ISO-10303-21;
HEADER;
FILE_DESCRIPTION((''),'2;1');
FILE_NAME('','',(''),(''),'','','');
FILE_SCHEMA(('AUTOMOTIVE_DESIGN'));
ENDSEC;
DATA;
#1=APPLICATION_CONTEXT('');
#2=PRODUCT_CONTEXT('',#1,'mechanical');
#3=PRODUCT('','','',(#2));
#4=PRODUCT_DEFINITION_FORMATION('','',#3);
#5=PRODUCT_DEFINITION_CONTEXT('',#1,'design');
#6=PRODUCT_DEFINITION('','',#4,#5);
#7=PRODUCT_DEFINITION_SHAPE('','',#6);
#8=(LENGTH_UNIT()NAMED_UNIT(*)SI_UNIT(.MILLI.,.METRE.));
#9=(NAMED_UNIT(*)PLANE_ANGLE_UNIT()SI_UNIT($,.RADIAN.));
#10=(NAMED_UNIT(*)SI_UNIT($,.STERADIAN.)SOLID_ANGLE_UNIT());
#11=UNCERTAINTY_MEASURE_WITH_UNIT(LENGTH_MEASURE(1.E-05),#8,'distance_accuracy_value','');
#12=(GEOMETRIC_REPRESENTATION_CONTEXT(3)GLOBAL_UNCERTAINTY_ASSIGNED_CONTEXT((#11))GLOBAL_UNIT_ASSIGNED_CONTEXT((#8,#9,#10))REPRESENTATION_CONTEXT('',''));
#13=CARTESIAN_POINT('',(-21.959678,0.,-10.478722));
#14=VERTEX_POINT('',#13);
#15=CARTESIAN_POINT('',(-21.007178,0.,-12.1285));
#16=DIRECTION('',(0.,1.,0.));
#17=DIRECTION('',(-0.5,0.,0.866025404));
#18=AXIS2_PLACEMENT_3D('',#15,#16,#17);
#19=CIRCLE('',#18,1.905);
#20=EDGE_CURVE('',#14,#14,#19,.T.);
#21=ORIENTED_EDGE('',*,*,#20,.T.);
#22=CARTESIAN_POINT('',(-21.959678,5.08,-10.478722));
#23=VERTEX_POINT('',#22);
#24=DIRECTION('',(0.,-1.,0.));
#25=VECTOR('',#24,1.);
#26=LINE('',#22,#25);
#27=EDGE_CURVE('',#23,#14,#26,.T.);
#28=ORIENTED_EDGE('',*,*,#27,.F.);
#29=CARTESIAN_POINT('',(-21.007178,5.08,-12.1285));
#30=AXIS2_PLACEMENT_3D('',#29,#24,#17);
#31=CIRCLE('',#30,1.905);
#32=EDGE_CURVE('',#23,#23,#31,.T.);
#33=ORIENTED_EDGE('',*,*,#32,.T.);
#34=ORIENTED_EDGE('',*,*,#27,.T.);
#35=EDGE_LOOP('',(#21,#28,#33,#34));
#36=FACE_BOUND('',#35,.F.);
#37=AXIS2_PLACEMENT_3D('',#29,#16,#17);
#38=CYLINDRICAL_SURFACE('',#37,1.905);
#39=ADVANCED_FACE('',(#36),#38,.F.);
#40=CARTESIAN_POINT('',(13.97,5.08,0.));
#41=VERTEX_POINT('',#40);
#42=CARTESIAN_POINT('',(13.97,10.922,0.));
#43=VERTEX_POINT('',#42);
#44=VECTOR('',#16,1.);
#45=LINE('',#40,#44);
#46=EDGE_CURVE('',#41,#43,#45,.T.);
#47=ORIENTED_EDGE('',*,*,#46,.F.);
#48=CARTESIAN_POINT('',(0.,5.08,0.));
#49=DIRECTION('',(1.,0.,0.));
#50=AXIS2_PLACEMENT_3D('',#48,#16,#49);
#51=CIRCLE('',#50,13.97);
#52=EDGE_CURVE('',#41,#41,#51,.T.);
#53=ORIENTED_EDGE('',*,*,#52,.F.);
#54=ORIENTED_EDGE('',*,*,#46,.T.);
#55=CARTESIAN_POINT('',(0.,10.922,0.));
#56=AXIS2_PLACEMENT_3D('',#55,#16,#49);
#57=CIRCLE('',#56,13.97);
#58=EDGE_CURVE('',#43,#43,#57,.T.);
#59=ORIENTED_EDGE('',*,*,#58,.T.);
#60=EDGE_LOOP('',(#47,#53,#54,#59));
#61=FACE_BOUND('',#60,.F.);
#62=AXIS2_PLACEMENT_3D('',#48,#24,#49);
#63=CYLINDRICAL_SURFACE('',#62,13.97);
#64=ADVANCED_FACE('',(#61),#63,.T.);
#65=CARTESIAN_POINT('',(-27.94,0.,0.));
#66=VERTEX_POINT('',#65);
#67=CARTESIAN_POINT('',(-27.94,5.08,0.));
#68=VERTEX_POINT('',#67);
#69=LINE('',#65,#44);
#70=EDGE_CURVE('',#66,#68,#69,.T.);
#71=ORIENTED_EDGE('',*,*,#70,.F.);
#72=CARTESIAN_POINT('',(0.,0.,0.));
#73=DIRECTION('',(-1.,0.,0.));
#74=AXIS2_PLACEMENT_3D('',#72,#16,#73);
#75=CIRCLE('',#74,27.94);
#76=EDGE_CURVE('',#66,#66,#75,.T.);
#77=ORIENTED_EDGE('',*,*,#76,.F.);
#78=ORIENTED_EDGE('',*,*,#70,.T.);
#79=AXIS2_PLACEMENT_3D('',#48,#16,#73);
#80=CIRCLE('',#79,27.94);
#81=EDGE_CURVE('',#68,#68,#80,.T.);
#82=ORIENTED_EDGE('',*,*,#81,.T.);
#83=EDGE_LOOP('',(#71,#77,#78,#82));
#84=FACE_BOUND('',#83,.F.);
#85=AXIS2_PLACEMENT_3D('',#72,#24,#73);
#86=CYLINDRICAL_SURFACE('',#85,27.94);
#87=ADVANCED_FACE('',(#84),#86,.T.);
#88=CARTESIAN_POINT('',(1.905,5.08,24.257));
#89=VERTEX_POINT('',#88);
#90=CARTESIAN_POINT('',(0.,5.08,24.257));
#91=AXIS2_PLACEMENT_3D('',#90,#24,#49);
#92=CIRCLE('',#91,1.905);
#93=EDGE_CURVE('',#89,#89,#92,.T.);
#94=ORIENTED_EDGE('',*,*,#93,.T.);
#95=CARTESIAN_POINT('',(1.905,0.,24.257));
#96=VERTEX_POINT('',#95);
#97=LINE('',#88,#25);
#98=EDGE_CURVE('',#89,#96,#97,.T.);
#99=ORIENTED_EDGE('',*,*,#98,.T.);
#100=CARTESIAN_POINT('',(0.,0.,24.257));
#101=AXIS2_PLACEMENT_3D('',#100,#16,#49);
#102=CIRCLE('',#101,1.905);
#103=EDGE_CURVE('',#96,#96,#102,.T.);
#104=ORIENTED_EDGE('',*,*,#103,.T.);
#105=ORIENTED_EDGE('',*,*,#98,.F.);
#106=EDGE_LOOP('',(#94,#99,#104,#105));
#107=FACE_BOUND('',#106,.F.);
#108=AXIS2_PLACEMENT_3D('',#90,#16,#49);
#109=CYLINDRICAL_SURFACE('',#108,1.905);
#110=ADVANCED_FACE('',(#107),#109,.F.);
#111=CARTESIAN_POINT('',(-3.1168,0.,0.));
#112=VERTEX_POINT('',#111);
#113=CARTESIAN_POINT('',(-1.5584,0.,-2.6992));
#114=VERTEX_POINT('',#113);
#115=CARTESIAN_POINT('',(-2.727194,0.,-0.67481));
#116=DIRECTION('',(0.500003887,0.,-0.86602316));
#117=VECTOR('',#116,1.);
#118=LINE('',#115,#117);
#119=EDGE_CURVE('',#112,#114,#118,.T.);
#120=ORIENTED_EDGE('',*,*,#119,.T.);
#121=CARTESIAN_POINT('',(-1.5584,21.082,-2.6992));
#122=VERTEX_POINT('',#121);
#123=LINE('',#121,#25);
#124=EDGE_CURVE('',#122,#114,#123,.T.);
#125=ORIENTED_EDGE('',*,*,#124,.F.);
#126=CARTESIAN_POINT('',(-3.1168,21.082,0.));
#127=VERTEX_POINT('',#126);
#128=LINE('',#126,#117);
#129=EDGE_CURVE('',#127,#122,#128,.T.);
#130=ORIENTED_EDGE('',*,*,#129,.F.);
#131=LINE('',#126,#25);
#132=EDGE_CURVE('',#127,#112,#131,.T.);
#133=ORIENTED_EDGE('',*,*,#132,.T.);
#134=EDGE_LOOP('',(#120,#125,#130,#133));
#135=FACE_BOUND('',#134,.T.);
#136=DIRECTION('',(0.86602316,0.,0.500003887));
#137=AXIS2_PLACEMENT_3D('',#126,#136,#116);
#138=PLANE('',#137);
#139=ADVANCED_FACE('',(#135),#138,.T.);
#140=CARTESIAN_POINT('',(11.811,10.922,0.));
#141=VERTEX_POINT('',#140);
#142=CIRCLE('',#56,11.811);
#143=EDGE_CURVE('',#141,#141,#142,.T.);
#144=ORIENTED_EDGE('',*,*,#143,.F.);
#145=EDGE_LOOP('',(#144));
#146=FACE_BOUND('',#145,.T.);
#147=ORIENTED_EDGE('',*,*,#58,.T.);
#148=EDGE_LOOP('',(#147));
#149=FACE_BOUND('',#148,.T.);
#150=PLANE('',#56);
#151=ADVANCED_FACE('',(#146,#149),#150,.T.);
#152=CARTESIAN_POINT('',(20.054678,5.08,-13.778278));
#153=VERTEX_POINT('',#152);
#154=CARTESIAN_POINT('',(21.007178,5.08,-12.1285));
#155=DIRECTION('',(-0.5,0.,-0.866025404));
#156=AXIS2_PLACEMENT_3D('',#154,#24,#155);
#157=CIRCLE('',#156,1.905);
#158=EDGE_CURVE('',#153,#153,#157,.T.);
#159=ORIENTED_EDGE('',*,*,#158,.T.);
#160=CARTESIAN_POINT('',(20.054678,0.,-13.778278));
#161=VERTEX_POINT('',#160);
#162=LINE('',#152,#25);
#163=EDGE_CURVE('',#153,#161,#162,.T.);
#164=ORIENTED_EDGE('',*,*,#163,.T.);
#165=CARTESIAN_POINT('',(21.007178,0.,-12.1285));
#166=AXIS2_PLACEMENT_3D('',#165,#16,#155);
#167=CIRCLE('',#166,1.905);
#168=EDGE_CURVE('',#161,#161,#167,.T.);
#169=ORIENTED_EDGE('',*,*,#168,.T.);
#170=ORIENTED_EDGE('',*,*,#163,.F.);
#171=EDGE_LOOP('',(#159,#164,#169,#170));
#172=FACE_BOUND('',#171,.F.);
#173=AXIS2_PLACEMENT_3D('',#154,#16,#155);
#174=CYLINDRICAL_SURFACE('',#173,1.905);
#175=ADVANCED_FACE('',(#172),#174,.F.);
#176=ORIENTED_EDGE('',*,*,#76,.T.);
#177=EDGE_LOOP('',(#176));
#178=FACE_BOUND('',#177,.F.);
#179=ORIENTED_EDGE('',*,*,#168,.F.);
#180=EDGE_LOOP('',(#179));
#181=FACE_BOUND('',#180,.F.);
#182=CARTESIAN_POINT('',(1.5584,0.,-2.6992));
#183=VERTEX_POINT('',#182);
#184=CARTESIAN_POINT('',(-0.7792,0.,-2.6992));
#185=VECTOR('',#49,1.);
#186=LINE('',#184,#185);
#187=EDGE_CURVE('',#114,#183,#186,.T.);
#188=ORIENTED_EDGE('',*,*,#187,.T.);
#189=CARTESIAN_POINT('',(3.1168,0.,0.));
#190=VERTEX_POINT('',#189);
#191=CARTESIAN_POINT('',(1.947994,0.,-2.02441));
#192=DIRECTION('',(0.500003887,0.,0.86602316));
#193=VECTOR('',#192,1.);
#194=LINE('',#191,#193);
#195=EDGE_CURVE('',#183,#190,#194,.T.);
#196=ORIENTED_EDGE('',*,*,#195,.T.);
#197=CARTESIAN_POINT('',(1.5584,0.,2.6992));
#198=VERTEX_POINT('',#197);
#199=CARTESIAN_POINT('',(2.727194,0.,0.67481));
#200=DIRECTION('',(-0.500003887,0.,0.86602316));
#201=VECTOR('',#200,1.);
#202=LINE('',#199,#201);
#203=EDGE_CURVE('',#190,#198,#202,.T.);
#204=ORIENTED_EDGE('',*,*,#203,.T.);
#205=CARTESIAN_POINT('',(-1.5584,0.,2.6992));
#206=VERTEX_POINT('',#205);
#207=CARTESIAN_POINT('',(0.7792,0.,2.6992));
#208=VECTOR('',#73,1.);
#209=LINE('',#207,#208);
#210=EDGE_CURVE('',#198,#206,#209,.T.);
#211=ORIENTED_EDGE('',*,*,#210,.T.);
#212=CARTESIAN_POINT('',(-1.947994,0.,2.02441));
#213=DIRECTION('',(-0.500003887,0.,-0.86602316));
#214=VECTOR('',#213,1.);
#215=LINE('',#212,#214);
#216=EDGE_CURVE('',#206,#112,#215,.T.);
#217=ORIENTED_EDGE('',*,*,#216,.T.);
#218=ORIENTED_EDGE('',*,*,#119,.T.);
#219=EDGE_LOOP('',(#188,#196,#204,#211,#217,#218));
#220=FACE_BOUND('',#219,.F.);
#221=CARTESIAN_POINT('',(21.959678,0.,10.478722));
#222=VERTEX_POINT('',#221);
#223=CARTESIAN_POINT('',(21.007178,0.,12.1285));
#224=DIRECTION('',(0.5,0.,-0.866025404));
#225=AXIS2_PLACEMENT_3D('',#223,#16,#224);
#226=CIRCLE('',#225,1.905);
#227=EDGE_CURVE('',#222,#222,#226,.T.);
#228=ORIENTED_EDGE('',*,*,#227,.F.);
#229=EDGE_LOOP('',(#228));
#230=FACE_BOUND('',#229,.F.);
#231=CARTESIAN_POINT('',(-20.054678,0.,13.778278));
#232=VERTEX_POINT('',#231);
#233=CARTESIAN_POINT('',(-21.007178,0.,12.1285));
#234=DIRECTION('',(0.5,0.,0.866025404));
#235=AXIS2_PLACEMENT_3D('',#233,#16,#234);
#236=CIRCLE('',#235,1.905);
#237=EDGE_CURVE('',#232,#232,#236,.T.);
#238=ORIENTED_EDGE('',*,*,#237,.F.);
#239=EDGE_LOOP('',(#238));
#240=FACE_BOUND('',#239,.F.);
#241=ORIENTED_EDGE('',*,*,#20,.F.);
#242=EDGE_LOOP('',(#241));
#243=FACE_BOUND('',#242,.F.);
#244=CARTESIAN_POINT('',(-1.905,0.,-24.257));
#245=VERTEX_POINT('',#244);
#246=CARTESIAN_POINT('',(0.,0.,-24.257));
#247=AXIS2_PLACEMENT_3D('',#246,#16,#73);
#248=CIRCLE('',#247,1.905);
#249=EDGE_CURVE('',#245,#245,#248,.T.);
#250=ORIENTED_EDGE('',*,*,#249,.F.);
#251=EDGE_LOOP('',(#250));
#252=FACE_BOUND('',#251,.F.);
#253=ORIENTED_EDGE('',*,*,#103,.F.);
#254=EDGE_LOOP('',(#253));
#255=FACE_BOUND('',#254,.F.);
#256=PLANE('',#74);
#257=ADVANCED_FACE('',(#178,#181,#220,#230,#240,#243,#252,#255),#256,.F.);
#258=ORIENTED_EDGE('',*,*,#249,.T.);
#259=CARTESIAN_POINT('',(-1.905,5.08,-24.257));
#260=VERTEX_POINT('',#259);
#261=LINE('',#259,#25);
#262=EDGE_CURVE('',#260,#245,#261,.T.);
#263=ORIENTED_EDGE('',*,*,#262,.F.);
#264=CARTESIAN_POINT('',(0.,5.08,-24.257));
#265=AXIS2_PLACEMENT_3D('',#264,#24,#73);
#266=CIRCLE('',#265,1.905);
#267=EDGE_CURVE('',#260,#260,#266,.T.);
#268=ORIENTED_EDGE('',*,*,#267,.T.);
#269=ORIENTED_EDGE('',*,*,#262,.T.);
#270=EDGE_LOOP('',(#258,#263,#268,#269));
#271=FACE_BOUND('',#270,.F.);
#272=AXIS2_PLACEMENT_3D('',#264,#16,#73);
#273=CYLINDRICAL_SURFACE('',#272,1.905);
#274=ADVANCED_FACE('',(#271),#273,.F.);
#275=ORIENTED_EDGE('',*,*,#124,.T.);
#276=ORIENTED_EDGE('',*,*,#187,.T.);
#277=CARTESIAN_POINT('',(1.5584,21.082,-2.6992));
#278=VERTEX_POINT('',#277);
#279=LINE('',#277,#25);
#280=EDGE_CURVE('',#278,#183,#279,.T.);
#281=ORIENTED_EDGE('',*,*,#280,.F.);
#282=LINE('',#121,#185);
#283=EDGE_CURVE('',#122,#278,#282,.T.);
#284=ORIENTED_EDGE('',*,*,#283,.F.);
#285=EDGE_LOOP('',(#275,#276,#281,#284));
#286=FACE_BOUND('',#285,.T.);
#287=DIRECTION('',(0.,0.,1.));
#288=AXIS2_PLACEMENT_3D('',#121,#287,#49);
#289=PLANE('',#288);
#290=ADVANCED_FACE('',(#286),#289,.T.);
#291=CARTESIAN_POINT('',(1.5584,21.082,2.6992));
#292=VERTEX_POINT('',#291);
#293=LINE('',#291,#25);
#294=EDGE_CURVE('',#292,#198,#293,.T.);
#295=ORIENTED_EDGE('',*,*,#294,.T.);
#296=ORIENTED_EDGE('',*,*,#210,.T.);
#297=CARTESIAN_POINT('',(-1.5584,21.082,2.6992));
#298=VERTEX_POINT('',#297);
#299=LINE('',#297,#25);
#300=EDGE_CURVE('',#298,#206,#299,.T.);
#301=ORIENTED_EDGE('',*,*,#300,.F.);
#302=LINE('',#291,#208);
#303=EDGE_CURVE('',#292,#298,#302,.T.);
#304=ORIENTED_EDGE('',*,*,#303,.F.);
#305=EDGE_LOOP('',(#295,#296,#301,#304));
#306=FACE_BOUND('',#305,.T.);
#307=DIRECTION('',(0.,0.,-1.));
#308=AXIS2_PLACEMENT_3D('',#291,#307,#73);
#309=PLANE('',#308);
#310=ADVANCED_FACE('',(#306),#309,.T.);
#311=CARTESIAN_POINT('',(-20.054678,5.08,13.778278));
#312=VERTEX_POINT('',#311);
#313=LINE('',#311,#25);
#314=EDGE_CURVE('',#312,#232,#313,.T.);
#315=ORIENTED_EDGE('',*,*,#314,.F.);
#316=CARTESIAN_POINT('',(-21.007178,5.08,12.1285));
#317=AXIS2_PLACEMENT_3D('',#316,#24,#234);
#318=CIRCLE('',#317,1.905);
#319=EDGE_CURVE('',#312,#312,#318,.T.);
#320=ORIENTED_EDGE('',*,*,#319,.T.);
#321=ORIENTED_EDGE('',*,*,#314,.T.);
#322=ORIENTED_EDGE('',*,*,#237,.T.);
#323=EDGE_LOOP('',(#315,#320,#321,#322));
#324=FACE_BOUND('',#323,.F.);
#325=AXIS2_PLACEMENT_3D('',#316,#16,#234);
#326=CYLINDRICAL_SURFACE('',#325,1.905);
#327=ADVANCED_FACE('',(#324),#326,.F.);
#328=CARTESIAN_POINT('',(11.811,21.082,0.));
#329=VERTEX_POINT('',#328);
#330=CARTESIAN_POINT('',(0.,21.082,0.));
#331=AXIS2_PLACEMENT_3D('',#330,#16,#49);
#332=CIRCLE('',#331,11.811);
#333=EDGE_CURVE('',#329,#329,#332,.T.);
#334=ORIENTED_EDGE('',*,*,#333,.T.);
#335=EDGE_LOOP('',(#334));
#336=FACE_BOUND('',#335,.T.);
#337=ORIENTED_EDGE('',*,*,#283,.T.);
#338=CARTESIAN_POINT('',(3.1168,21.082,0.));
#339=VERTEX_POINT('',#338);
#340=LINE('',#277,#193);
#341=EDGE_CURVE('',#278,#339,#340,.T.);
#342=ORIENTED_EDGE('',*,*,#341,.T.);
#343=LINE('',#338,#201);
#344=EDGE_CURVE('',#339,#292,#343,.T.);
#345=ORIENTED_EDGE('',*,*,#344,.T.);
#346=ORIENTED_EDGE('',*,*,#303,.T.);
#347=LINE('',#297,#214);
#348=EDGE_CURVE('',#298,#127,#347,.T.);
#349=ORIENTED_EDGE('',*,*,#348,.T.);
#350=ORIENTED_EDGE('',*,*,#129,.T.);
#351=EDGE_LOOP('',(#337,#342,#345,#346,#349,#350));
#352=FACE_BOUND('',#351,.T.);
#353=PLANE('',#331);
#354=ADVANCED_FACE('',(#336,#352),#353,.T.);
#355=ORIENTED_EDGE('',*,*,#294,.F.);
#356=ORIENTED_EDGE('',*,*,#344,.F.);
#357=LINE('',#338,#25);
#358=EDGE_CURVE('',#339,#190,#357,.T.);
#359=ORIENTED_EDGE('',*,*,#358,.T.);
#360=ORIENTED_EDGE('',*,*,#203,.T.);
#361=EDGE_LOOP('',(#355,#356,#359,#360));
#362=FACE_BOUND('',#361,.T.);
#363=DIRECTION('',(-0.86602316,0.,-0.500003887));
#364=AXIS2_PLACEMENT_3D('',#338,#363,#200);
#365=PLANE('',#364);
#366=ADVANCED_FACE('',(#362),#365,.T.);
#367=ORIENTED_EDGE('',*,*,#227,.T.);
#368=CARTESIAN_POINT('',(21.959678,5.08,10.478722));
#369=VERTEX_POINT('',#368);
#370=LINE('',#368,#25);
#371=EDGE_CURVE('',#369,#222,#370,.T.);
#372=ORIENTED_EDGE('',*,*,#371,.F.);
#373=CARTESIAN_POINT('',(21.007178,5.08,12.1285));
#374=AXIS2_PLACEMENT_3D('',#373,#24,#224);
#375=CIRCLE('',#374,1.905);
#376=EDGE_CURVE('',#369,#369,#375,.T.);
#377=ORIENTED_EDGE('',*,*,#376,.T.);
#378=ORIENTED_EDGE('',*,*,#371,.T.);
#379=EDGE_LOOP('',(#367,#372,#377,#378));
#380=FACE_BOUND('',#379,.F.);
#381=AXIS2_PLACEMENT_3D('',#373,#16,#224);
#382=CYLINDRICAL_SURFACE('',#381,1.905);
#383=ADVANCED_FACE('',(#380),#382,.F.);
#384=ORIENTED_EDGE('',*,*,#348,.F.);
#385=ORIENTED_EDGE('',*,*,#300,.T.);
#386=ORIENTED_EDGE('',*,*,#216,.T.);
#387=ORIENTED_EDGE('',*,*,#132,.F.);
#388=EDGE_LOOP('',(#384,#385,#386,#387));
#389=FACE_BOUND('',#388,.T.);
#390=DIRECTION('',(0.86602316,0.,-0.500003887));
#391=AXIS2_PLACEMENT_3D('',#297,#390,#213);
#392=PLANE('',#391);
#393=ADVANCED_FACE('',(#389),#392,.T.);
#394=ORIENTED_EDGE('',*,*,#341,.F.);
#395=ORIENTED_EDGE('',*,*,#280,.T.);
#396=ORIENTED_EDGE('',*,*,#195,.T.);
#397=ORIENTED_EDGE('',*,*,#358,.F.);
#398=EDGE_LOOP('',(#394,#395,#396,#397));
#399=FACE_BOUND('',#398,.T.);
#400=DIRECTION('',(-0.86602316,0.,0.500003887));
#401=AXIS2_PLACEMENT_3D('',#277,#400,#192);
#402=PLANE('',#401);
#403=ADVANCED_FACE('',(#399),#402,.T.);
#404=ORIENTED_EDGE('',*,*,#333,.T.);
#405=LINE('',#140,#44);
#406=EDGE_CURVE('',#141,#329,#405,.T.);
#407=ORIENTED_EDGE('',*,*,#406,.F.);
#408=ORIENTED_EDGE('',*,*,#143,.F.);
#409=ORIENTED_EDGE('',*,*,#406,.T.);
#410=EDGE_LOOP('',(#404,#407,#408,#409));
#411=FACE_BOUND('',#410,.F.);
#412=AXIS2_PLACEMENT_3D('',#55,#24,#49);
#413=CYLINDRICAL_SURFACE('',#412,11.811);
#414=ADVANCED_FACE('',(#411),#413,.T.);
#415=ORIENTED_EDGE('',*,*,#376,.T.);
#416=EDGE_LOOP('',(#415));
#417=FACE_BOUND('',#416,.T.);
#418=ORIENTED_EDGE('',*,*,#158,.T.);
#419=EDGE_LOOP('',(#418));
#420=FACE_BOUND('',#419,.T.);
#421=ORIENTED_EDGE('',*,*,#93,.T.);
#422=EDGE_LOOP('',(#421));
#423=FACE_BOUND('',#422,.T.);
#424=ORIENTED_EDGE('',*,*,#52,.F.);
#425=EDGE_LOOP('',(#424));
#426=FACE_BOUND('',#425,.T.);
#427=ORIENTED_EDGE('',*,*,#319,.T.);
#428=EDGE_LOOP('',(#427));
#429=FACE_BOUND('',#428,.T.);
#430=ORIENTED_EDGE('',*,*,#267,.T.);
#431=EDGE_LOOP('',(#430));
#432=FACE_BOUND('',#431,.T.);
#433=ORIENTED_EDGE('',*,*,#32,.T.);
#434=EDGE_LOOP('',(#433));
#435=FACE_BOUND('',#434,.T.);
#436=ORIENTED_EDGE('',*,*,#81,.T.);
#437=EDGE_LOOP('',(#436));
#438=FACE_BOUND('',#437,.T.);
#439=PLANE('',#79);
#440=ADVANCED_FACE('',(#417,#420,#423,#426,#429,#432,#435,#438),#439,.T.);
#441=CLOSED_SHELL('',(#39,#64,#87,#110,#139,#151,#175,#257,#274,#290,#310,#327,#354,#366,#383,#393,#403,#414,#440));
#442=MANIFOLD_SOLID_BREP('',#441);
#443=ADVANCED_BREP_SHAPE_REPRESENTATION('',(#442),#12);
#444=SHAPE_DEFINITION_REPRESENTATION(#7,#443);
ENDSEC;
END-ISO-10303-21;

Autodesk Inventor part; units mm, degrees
ref_plane "YZ Plane" through (0, 0, 0) normal (1, 0, 0) x (0, 1, 0)
ref_plane "XZ Plane" through (0, 0, 0) normal (0, 1, 0) x (-1, 0, 0)
ref_plane "XY Plane" through (0, 0, 0) normal (0, 0, 1) x (1, 0, 0)
sketch "Sketch1" plane through (0, 0, 0) normal (0, 1, 0) x (-1, 0, 0)
  circle A0 centre (0, 0) radius 27.94
  dimension "d0" = 55.88
extrude "Extrusion1" add sketch "Sketch1" along normal blind 5.08
sketch "Sketch2" plane through (0, 5.08, 0) normal (0, 1, 0) x (1, 0, 0)
  circle A0 centre (0, 0) radius 13.97
  dimension "d3" = 27.94
extrude "Extrusion2" add sketch "Sketch2" along normal blind 5.842
sketch "Sketch3" plane through (0, 10.922, 0) normal (0, 1, 0) x (1, 0, 0)
  circle A0 centre (0, 0) radius 11.811
  dimension "d6" = 23.622
extrude "Extrusion3" add sketch "Sketch3" along normal blind 10.16
sketch "Sketch5" plane through (0, 21.082, 0) normal (0, 1, 0) x (1, 0, 0)
  line L0 (0, 0) -> (0, 2.667)
  line L1 (-3.1168, 0) -> (-1.5584, 2.6992)
  line L2 (-1.5584, 2.6992) -> (1.5584, 2.6992)
  line L3 (1.5584, 2.6992) -> (3.1168, 0)
  line L4 (3.1168, 0) -> (1.5584, -2.6992)
  line L5 (1.5584, -2.6992) -> (-1.5584, -2.6992)
  line L6 (-1.5584, -2.6992) -> (-3.1168, 0)
  dimension "d10" = 2.667
extrude "Extrusion4" cut sketch "Sketch5" against normal blind 25.4
sketch "Sketch6" plane through (0, 5.08, 0) normal (0, 1, 0) x (1, 0, 0)
  circle A0 centre (0, 0) radius 27.94 projected
  line L0 (0, -27.94) -> (0, -26.162)
  line L1 (0, -26.162) -> (0, -24.257)
  circle A1 centre (0, -24.257) radius 1.905
  dimension "d13" = 1.778
  dimension "d14" = 1.905
extrude "Extrusion5" cut sketch "Sketch6" against normal blind 25.4 contours A1
sketch "Sketch7" plane through (0, 21.082, 0) normal (0, 1, 0) x (1, 0, 0)
  point P0 (0, 0)
  point P1 (0, 0)
pattern_circular "Circular Pattern1" count 6 over 360 about axis through (0, 21.082, 0) along (0, 1, 0) of "Extrusion5"
properties part number "Wheel Mount"
